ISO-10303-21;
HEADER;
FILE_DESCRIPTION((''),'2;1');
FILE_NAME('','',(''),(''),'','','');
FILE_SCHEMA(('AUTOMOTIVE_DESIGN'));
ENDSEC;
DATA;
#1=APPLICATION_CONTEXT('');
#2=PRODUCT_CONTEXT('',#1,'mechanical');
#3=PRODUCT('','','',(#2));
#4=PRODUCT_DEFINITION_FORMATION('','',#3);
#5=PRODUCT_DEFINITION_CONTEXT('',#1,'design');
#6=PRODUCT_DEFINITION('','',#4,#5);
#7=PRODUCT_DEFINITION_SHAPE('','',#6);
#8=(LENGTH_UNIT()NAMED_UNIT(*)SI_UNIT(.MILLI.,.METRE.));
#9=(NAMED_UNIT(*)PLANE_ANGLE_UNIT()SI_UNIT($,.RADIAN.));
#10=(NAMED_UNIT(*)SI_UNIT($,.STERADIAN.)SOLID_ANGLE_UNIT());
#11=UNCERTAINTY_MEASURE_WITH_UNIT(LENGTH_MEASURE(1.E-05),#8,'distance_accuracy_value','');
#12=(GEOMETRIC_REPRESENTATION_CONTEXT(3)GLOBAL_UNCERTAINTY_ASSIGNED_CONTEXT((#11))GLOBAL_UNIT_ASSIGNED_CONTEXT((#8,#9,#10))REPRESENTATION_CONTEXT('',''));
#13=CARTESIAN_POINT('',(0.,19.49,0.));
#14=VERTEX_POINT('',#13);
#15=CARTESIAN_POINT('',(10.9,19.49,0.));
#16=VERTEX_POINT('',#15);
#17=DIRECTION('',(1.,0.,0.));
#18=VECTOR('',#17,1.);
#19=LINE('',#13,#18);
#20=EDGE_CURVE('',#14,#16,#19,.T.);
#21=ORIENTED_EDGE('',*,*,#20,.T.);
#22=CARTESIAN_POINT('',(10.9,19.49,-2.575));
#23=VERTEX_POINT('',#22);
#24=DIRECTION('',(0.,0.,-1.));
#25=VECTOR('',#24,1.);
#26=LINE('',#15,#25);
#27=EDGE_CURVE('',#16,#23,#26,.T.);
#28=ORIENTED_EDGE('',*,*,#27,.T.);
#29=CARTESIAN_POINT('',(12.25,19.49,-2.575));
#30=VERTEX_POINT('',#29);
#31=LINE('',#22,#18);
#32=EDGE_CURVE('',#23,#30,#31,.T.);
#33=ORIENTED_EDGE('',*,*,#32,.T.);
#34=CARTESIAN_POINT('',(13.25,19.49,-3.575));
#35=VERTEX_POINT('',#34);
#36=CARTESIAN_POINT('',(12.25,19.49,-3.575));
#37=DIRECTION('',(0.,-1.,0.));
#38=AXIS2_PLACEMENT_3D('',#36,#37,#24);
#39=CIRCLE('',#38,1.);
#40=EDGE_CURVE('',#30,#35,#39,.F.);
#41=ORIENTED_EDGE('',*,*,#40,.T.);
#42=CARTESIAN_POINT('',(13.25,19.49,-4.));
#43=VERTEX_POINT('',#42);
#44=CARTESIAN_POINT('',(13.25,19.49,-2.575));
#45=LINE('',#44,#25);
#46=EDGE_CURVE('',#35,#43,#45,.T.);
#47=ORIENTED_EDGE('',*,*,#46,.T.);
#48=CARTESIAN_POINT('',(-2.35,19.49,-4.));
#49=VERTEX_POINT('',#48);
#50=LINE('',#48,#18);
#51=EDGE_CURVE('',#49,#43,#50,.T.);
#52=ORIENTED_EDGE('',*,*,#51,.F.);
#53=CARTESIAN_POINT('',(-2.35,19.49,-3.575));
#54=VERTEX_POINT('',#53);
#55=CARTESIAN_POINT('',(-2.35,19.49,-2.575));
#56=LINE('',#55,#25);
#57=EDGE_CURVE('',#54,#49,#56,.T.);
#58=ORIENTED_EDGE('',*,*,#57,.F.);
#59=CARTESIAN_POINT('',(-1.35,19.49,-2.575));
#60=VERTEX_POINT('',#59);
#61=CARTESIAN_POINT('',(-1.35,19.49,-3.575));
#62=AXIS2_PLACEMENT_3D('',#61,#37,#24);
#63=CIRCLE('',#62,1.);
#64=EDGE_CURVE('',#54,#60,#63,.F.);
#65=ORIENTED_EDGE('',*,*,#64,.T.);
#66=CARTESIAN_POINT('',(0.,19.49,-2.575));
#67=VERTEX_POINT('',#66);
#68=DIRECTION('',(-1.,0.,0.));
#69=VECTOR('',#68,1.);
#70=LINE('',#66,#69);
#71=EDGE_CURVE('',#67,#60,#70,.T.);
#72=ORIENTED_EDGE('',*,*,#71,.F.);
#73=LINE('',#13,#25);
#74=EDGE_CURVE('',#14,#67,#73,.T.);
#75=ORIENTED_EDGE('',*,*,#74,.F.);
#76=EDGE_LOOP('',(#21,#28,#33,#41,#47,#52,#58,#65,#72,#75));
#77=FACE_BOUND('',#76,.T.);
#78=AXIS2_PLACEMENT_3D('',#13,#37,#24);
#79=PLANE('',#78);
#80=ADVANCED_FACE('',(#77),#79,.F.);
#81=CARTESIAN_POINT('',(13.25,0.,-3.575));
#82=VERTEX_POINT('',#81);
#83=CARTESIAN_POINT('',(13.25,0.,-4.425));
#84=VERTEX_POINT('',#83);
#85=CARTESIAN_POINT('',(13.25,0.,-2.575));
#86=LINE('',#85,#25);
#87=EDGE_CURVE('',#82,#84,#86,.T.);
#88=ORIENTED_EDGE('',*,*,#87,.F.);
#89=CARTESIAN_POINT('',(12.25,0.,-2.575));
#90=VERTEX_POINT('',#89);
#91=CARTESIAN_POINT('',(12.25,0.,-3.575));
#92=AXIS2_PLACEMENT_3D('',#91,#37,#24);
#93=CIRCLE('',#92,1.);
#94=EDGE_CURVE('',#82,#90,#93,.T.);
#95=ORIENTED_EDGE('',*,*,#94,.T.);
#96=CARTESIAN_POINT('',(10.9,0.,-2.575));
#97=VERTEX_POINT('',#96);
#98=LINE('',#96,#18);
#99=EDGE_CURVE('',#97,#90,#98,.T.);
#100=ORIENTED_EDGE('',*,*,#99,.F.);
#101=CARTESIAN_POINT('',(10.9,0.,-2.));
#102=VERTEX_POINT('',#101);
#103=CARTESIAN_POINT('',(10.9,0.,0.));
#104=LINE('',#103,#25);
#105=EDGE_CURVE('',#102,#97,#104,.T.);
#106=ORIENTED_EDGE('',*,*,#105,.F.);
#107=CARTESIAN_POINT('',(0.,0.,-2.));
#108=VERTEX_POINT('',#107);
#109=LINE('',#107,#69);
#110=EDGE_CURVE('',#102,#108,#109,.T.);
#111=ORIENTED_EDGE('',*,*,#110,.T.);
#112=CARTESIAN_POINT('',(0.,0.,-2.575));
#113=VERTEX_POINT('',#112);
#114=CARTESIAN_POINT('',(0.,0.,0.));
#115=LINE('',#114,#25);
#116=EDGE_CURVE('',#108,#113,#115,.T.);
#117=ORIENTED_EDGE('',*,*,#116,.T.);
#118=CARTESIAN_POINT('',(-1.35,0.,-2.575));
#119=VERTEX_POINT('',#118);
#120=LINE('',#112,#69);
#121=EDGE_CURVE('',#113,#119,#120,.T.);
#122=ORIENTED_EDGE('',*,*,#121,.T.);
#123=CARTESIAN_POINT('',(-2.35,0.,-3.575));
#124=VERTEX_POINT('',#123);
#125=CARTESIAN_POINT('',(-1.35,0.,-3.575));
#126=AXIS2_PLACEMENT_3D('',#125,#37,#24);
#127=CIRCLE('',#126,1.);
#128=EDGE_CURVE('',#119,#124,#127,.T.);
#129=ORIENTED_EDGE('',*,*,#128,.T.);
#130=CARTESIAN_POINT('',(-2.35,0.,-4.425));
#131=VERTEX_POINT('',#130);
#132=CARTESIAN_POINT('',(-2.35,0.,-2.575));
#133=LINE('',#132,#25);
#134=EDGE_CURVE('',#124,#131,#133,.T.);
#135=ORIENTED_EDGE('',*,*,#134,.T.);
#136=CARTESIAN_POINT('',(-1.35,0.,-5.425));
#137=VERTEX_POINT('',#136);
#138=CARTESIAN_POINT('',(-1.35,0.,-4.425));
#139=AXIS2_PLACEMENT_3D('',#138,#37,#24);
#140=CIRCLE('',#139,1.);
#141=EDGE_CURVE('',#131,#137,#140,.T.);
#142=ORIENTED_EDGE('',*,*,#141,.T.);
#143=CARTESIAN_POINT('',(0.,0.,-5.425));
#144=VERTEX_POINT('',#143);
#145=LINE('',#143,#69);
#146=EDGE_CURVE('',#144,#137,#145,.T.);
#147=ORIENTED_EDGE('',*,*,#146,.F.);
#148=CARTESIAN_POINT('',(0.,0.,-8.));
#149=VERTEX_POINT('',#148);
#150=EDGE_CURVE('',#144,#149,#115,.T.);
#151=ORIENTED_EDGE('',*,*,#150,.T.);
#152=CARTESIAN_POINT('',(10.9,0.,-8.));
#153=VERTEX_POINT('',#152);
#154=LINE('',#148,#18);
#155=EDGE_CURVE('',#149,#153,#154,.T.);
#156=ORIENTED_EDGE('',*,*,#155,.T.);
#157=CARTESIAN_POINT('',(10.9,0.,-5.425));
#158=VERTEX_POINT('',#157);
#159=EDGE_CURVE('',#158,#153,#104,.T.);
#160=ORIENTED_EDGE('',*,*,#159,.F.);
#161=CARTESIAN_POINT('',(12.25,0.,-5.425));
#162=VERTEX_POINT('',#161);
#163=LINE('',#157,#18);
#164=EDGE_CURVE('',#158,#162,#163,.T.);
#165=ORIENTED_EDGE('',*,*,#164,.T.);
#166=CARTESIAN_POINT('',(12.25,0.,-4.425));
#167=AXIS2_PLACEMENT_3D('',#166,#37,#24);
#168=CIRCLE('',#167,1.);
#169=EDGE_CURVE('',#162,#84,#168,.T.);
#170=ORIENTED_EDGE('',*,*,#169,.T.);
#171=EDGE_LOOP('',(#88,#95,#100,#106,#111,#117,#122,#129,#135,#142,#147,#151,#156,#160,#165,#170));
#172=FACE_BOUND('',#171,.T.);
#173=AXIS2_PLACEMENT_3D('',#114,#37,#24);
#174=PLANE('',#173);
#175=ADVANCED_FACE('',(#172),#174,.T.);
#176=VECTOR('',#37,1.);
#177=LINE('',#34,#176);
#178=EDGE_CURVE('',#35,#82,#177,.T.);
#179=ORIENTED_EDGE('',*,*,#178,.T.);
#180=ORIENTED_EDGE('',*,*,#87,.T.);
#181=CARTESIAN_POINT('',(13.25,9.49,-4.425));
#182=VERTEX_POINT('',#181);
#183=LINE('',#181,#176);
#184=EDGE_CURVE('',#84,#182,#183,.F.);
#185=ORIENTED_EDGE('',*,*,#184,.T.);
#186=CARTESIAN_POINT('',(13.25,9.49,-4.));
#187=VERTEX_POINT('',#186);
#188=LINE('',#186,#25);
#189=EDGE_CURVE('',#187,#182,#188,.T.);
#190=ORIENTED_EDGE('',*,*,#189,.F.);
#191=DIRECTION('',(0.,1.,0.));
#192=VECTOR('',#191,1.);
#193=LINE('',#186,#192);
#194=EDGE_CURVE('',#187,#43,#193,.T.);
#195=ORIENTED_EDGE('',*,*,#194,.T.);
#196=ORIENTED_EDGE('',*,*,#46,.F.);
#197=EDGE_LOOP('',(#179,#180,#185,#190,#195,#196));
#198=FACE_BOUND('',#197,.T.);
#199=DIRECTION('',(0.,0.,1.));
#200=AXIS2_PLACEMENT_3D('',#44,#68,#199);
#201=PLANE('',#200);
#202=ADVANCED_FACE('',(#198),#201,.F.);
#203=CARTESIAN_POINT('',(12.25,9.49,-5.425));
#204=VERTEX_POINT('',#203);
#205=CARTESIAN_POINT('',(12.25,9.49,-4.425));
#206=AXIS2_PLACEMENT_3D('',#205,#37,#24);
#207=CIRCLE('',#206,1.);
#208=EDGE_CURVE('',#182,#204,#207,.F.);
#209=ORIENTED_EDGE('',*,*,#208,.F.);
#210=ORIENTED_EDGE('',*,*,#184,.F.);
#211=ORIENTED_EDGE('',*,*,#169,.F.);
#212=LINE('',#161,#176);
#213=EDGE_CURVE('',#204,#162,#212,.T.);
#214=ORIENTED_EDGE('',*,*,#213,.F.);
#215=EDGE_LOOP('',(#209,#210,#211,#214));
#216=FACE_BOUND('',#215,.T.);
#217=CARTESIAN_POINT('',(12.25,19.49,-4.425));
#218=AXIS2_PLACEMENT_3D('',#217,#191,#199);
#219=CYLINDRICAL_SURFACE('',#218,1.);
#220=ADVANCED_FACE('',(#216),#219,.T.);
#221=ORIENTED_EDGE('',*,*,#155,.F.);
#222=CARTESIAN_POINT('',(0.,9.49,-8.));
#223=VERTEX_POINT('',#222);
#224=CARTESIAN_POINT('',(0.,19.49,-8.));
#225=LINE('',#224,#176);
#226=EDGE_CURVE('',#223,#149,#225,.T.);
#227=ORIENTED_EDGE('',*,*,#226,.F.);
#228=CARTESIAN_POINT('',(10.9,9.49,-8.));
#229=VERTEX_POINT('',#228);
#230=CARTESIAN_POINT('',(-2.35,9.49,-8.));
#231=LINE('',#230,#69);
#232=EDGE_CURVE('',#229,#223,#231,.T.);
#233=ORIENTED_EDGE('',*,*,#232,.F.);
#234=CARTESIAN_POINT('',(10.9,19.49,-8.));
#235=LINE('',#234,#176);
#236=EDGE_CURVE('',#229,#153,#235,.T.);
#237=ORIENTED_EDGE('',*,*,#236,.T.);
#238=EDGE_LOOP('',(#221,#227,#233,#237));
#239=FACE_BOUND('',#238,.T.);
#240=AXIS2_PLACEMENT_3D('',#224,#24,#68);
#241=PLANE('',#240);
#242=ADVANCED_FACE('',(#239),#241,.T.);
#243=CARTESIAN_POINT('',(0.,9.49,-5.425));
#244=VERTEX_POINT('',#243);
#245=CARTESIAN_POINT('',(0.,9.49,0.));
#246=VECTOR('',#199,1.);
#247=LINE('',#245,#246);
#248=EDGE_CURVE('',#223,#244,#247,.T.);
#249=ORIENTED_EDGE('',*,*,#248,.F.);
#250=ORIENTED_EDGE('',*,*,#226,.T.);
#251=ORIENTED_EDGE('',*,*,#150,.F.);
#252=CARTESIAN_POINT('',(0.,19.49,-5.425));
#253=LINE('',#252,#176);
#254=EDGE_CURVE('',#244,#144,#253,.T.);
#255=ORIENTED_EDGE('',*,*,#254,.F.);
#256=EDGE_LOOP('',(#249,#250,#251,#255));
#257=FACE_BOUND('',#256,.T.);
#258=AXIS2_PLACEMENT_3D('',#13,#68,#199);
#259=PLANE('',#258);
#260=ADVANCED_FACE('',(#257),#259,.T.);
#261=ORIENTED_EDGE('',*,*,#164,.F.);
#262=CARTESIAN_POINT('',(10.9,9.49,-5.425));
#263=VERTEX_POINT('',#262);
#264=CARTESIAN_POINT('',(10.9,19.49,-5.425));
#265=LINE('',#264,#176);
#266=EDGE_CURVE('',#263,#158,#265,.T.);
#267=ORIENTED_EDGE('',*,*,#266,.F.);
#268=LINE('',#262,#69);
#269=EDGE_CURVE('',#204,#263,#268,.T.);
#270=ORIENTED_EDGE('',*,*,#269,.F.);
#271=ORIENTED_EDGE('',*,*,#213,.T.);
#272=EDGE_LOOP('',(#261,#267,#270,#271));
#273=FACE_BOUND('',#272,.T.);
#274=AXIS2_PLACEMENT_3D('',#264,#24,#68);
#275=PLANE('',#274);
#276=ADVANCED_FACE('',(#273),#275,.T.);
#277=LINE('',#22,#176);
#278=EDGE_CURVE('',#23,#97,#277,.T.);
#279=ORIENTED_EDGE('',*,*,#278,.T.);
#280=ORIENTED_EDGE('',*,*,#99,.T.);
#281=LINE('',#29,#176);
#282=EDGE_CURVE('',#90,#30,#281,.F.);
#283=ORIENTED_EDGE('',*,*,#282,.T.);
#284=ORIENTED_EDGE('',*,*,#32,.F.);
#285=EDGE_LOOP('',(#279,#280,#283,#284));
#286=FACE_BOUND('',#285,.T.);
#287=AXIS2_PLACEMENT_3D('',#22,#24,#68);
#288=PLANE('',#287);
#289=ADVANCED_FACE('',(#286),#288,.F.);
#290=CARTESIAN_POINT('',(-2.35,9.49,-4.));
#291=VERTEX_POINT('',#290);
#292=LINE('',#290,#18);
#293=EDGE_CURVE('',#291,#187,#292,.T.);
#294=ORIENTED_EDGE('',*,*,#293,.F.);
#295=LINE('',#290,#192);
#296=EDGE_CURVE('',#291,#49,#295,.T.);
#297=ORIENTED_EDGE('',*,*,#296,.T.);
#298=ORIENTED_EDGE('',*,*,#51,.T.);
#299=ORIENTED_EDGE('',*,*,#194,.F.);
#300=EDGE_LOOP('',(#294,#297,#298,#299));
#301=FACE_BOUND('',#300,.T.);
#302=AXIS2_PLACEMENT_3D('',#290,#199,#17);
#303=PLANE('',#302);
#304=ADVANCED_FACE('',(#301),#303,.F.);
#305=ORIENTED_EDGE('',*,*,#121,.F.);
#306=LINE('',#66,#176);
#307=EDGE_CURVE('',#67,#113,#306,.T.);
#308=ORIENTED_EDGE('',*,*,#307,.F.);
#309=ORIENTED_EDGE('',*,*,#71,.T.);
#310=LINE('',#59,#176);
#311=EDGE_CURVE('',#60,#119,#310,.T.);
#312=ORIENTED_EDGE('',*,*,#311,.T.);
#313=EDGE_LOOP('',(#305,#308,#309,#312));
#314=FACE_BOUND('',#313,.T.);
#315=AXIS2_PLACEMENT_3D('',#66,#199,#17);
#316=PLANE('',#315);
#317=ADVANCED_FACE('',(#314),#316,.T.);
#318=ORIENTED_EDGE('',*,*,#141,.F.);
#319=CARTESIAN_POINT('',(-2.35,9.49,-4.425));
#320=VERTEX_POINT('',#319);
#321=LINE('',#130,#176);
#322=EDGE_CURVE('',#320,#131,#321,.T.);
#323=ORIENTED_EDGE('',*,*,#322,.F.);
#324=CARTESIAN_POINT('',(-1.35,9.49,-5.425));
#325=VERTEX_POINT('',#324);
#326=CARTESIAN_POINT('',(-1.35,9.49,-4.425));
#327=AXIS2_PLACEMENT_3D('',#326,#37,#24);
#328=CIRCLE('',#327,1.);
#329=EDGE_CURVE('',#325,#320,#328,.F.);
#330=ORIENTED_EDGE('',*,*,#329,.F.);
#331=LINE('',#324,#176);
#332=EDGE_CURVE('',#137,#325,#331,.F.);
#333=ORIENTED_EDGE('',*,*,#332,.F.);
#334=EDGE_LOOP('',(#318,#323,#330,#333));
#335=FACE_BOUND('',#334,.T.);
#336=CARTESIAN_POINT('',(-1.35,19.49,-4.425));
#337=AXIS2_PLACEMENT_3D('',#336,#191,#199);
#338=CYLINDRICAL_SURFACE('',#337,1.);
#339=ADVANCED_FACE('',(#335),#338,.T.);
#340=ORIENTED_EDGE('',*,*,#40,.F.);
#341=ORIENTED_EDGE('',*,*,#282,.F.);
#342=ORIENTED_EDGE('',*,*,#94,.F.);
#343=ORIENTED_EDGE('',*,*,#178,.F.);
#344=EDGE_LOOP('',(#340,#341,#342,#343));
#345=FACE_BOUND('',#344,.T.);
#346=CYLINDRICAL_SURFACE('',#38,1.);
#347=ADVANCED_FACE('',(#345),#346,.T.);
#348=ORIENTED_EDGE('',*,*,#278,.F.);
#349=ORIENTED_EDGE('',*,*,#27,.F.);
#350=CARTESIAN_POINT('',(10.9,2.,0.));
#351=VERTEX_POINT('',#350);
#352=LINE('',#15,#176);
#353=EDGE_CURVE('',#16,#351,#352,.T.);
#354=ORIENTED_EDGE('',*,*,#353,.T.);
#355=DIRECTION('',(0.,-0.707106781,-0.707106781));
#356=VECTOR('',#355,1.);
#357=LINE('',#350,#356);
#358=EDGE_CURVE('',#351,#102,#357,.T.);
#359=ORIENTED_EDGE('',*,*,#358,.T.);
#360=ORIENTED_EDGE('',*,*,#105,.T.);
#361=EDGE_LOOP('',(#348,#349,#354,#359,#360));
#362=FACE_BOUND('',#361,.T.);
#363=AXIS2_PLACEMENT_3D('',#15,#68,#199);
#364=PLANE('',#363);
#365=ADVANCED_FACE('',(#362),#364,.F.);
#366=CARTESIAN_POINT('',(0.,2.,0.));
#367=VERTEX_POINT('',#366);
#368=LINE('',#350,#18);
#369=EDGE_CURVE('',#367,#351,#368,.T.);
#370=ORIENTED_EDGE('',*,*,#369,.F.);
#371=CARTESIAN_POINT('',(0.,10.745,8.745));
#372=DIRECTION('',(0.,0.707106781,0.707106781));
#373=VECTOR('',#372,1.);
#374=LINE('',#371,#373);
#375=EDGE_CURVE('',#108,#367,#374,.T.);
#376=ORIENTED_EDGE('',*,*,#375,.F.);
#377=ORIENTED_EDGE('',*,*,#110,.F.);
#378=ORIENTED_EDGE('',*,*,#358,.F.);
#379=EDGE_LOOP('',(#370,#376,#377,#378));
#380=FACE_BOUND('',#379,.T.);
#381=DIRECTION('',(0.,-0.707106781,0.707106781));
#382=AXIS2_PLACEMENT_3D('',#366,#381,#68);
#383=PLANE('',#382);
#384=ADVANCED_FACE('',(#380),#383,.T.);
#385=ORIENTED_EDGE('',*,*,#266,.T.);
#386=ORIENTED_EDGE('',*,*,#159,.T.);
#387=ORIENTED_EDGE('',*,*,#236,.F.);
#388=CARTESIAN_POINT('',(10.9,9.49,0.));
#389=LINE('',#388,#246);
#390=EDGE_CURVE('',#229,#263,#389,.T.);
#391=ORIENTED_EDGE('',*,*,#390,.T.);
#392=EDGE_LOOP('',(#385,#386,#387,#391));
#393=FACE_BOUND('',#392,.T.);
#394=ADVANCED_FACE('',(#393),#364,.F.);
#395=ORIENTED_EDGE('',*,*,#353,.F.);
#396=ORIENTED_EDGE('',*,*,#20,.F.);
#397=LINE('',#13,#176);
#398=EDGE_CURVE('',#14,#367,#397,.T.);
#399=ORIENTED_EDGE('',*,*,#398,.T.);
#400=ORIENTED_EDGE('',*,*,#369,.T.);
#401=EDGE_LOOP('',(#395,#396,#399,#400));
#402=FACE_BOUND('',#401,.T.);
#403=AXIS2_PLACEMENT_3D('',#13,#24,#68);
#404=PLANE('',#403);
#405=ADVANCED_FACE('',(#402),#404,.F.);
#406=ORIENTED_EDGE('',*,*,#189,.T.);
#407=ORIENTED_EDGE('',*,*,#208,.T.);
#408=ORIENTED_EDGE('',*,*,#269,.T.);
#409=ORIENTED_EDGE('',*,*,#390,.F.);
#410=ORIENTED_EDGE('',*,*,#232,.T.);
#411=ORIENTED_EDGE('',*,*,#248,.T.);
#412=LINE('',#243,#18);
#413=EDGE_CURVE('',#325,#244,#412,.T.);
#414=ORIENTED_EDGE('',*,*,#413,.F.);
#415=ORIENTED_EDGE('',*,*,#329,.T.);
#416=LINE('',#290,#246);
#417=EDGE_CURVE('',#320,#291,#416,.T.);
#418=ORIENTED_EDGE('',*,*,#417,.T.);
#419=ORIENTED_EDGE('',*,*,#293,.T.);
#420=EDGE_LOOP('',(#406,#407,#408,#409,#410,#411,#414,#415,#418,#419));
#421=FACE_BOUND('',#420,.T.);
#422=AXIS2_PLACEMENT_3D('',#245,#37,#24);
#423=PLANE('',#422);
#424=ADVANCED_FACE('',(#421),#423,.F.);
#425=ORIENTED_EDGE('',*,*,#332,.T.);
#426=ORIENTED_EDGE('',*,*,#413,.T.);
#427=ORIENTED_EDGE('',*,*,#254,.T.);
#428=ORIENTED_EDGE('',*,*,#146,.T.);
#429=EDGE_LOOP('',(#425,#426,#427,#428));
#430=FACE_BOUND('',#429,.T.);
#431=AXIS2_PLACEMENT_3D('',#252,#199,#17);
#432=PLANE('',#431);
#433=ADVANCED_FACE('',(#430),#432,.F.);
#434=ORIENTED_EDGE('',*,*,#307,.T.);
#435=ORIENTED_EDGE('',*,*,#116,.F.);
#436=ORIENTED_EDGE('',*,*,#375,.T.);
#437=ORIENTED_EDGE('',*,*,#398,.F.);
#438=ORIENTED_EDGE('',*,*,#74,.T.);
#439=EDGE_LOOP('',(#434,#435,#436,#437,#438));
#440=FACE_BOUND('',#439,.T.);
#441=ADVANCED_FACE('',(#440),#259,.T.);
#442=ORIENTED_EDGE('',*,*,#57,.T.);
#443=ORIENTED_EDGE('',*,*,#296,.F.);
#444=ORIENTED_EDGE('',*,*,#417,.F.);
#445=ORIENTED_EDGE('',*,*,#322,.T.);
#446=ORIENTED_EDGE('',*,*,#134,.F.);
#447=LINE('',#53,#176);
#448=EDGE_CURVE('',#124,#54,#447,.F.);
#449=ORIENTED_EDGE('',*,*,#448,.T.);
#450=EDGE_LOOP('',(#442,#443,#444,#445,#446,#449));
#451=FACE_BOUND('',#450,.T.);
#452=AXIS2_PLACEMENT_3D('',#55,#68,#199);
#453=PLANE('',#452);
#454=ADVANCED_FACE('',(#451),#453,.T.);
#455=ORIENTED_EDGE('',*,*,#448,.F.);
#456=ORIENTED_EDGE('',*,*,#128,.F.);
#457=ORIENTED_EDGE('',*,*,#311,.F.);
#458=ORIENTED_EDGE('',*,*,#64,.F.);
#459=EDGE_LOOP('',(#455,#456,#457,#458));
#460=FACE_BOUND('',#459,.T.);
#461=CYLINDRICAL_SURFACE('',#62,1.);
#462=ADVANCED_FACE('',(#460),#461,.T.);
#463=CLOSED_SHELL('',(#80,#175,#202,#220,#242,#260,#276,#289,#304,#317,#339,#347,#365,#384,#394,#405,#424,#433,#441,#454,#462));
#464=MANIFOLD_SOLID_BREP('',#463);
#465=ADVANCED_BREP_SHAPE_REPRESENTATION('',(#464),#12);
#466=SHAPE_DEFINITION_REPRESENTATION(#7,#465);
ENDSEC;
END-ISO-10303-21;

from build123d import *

# Parameters (mm, degrees)
ESQUISSE1_W             = 10.9
ESQUISSE1_H             = 8
ESQUISSE1_W_2           = 2.35
ESQUISSE1_H_2           = 2.85
BOSS_EXTRU_1_DEPTH      = 19.49
CHANFREIN1_SIZE         = 2
ESQUISSE2_W             = 15.6
ESQUISSE2_H             = 4
ENL_V_MAT_EXTRU_1_DEPTH = 10
CONG_1_R                = 1


with BuildPart() as part:
    # Esquisse1 → Boss.-Extru.1 (new body)
    with BuildSketch(Plane(origin=(0, 0, 0), x_dir=(1, 0, 0), z_dir=(0, 1, 0))):
        with Locations((5.45, 4)):
            Rectangle(ESQUISSE1_W, ESQUISSE1_H)
        with Locations((-1.175, 4)):
            Rectangle(ESQUISSE1_W_2, ESQUISSE1_H_2)
        with Locations((12.075, 4)):
            Rectangle(ESQUISSE1_W_2, ESQUISSE1_H_2)
    extrude(amount=BOSS_EXTRU_1_DEPTH)

    # Chanfrein1
    chanfrein1_edges = [part.edges().sort_by_distance(p)[0] for p in [
        (5.45, 0, 0),
    ]]
    chamfer(chanfrein1_edges, length=CHANFREIN1_SIZE)

    # Esquisse2 → Enlèv. mat.-Extru.1 (cut)
    with BuildSketch(Plane(origin=(0, 19.49, 0), x_dir=(1, 0, 0), z_dir=(0, 1, 0))):
        with Locations((5.45, 6)):
            Rectangle(ESQUISSE2_W, ESQUISSE2_H)
    extrude(amount=-ENL_V_MAT_EXTRU_1_DEPTH, mode=Mode.SUBTRACT)

    # Congé1
    cong_1_edges = [part.edges().sort_by_distance(p)[0] for p in [
        (-2.35, 9.745, -2.575),
        (13.25, 9.745, -2.575),
        (-2.35, 4.745, -5.425),
        (13.25, 4.745, -5.425),
    ]]
    fillet(cong_1_edges, radius=CONG_1_R)


solid = part.part
